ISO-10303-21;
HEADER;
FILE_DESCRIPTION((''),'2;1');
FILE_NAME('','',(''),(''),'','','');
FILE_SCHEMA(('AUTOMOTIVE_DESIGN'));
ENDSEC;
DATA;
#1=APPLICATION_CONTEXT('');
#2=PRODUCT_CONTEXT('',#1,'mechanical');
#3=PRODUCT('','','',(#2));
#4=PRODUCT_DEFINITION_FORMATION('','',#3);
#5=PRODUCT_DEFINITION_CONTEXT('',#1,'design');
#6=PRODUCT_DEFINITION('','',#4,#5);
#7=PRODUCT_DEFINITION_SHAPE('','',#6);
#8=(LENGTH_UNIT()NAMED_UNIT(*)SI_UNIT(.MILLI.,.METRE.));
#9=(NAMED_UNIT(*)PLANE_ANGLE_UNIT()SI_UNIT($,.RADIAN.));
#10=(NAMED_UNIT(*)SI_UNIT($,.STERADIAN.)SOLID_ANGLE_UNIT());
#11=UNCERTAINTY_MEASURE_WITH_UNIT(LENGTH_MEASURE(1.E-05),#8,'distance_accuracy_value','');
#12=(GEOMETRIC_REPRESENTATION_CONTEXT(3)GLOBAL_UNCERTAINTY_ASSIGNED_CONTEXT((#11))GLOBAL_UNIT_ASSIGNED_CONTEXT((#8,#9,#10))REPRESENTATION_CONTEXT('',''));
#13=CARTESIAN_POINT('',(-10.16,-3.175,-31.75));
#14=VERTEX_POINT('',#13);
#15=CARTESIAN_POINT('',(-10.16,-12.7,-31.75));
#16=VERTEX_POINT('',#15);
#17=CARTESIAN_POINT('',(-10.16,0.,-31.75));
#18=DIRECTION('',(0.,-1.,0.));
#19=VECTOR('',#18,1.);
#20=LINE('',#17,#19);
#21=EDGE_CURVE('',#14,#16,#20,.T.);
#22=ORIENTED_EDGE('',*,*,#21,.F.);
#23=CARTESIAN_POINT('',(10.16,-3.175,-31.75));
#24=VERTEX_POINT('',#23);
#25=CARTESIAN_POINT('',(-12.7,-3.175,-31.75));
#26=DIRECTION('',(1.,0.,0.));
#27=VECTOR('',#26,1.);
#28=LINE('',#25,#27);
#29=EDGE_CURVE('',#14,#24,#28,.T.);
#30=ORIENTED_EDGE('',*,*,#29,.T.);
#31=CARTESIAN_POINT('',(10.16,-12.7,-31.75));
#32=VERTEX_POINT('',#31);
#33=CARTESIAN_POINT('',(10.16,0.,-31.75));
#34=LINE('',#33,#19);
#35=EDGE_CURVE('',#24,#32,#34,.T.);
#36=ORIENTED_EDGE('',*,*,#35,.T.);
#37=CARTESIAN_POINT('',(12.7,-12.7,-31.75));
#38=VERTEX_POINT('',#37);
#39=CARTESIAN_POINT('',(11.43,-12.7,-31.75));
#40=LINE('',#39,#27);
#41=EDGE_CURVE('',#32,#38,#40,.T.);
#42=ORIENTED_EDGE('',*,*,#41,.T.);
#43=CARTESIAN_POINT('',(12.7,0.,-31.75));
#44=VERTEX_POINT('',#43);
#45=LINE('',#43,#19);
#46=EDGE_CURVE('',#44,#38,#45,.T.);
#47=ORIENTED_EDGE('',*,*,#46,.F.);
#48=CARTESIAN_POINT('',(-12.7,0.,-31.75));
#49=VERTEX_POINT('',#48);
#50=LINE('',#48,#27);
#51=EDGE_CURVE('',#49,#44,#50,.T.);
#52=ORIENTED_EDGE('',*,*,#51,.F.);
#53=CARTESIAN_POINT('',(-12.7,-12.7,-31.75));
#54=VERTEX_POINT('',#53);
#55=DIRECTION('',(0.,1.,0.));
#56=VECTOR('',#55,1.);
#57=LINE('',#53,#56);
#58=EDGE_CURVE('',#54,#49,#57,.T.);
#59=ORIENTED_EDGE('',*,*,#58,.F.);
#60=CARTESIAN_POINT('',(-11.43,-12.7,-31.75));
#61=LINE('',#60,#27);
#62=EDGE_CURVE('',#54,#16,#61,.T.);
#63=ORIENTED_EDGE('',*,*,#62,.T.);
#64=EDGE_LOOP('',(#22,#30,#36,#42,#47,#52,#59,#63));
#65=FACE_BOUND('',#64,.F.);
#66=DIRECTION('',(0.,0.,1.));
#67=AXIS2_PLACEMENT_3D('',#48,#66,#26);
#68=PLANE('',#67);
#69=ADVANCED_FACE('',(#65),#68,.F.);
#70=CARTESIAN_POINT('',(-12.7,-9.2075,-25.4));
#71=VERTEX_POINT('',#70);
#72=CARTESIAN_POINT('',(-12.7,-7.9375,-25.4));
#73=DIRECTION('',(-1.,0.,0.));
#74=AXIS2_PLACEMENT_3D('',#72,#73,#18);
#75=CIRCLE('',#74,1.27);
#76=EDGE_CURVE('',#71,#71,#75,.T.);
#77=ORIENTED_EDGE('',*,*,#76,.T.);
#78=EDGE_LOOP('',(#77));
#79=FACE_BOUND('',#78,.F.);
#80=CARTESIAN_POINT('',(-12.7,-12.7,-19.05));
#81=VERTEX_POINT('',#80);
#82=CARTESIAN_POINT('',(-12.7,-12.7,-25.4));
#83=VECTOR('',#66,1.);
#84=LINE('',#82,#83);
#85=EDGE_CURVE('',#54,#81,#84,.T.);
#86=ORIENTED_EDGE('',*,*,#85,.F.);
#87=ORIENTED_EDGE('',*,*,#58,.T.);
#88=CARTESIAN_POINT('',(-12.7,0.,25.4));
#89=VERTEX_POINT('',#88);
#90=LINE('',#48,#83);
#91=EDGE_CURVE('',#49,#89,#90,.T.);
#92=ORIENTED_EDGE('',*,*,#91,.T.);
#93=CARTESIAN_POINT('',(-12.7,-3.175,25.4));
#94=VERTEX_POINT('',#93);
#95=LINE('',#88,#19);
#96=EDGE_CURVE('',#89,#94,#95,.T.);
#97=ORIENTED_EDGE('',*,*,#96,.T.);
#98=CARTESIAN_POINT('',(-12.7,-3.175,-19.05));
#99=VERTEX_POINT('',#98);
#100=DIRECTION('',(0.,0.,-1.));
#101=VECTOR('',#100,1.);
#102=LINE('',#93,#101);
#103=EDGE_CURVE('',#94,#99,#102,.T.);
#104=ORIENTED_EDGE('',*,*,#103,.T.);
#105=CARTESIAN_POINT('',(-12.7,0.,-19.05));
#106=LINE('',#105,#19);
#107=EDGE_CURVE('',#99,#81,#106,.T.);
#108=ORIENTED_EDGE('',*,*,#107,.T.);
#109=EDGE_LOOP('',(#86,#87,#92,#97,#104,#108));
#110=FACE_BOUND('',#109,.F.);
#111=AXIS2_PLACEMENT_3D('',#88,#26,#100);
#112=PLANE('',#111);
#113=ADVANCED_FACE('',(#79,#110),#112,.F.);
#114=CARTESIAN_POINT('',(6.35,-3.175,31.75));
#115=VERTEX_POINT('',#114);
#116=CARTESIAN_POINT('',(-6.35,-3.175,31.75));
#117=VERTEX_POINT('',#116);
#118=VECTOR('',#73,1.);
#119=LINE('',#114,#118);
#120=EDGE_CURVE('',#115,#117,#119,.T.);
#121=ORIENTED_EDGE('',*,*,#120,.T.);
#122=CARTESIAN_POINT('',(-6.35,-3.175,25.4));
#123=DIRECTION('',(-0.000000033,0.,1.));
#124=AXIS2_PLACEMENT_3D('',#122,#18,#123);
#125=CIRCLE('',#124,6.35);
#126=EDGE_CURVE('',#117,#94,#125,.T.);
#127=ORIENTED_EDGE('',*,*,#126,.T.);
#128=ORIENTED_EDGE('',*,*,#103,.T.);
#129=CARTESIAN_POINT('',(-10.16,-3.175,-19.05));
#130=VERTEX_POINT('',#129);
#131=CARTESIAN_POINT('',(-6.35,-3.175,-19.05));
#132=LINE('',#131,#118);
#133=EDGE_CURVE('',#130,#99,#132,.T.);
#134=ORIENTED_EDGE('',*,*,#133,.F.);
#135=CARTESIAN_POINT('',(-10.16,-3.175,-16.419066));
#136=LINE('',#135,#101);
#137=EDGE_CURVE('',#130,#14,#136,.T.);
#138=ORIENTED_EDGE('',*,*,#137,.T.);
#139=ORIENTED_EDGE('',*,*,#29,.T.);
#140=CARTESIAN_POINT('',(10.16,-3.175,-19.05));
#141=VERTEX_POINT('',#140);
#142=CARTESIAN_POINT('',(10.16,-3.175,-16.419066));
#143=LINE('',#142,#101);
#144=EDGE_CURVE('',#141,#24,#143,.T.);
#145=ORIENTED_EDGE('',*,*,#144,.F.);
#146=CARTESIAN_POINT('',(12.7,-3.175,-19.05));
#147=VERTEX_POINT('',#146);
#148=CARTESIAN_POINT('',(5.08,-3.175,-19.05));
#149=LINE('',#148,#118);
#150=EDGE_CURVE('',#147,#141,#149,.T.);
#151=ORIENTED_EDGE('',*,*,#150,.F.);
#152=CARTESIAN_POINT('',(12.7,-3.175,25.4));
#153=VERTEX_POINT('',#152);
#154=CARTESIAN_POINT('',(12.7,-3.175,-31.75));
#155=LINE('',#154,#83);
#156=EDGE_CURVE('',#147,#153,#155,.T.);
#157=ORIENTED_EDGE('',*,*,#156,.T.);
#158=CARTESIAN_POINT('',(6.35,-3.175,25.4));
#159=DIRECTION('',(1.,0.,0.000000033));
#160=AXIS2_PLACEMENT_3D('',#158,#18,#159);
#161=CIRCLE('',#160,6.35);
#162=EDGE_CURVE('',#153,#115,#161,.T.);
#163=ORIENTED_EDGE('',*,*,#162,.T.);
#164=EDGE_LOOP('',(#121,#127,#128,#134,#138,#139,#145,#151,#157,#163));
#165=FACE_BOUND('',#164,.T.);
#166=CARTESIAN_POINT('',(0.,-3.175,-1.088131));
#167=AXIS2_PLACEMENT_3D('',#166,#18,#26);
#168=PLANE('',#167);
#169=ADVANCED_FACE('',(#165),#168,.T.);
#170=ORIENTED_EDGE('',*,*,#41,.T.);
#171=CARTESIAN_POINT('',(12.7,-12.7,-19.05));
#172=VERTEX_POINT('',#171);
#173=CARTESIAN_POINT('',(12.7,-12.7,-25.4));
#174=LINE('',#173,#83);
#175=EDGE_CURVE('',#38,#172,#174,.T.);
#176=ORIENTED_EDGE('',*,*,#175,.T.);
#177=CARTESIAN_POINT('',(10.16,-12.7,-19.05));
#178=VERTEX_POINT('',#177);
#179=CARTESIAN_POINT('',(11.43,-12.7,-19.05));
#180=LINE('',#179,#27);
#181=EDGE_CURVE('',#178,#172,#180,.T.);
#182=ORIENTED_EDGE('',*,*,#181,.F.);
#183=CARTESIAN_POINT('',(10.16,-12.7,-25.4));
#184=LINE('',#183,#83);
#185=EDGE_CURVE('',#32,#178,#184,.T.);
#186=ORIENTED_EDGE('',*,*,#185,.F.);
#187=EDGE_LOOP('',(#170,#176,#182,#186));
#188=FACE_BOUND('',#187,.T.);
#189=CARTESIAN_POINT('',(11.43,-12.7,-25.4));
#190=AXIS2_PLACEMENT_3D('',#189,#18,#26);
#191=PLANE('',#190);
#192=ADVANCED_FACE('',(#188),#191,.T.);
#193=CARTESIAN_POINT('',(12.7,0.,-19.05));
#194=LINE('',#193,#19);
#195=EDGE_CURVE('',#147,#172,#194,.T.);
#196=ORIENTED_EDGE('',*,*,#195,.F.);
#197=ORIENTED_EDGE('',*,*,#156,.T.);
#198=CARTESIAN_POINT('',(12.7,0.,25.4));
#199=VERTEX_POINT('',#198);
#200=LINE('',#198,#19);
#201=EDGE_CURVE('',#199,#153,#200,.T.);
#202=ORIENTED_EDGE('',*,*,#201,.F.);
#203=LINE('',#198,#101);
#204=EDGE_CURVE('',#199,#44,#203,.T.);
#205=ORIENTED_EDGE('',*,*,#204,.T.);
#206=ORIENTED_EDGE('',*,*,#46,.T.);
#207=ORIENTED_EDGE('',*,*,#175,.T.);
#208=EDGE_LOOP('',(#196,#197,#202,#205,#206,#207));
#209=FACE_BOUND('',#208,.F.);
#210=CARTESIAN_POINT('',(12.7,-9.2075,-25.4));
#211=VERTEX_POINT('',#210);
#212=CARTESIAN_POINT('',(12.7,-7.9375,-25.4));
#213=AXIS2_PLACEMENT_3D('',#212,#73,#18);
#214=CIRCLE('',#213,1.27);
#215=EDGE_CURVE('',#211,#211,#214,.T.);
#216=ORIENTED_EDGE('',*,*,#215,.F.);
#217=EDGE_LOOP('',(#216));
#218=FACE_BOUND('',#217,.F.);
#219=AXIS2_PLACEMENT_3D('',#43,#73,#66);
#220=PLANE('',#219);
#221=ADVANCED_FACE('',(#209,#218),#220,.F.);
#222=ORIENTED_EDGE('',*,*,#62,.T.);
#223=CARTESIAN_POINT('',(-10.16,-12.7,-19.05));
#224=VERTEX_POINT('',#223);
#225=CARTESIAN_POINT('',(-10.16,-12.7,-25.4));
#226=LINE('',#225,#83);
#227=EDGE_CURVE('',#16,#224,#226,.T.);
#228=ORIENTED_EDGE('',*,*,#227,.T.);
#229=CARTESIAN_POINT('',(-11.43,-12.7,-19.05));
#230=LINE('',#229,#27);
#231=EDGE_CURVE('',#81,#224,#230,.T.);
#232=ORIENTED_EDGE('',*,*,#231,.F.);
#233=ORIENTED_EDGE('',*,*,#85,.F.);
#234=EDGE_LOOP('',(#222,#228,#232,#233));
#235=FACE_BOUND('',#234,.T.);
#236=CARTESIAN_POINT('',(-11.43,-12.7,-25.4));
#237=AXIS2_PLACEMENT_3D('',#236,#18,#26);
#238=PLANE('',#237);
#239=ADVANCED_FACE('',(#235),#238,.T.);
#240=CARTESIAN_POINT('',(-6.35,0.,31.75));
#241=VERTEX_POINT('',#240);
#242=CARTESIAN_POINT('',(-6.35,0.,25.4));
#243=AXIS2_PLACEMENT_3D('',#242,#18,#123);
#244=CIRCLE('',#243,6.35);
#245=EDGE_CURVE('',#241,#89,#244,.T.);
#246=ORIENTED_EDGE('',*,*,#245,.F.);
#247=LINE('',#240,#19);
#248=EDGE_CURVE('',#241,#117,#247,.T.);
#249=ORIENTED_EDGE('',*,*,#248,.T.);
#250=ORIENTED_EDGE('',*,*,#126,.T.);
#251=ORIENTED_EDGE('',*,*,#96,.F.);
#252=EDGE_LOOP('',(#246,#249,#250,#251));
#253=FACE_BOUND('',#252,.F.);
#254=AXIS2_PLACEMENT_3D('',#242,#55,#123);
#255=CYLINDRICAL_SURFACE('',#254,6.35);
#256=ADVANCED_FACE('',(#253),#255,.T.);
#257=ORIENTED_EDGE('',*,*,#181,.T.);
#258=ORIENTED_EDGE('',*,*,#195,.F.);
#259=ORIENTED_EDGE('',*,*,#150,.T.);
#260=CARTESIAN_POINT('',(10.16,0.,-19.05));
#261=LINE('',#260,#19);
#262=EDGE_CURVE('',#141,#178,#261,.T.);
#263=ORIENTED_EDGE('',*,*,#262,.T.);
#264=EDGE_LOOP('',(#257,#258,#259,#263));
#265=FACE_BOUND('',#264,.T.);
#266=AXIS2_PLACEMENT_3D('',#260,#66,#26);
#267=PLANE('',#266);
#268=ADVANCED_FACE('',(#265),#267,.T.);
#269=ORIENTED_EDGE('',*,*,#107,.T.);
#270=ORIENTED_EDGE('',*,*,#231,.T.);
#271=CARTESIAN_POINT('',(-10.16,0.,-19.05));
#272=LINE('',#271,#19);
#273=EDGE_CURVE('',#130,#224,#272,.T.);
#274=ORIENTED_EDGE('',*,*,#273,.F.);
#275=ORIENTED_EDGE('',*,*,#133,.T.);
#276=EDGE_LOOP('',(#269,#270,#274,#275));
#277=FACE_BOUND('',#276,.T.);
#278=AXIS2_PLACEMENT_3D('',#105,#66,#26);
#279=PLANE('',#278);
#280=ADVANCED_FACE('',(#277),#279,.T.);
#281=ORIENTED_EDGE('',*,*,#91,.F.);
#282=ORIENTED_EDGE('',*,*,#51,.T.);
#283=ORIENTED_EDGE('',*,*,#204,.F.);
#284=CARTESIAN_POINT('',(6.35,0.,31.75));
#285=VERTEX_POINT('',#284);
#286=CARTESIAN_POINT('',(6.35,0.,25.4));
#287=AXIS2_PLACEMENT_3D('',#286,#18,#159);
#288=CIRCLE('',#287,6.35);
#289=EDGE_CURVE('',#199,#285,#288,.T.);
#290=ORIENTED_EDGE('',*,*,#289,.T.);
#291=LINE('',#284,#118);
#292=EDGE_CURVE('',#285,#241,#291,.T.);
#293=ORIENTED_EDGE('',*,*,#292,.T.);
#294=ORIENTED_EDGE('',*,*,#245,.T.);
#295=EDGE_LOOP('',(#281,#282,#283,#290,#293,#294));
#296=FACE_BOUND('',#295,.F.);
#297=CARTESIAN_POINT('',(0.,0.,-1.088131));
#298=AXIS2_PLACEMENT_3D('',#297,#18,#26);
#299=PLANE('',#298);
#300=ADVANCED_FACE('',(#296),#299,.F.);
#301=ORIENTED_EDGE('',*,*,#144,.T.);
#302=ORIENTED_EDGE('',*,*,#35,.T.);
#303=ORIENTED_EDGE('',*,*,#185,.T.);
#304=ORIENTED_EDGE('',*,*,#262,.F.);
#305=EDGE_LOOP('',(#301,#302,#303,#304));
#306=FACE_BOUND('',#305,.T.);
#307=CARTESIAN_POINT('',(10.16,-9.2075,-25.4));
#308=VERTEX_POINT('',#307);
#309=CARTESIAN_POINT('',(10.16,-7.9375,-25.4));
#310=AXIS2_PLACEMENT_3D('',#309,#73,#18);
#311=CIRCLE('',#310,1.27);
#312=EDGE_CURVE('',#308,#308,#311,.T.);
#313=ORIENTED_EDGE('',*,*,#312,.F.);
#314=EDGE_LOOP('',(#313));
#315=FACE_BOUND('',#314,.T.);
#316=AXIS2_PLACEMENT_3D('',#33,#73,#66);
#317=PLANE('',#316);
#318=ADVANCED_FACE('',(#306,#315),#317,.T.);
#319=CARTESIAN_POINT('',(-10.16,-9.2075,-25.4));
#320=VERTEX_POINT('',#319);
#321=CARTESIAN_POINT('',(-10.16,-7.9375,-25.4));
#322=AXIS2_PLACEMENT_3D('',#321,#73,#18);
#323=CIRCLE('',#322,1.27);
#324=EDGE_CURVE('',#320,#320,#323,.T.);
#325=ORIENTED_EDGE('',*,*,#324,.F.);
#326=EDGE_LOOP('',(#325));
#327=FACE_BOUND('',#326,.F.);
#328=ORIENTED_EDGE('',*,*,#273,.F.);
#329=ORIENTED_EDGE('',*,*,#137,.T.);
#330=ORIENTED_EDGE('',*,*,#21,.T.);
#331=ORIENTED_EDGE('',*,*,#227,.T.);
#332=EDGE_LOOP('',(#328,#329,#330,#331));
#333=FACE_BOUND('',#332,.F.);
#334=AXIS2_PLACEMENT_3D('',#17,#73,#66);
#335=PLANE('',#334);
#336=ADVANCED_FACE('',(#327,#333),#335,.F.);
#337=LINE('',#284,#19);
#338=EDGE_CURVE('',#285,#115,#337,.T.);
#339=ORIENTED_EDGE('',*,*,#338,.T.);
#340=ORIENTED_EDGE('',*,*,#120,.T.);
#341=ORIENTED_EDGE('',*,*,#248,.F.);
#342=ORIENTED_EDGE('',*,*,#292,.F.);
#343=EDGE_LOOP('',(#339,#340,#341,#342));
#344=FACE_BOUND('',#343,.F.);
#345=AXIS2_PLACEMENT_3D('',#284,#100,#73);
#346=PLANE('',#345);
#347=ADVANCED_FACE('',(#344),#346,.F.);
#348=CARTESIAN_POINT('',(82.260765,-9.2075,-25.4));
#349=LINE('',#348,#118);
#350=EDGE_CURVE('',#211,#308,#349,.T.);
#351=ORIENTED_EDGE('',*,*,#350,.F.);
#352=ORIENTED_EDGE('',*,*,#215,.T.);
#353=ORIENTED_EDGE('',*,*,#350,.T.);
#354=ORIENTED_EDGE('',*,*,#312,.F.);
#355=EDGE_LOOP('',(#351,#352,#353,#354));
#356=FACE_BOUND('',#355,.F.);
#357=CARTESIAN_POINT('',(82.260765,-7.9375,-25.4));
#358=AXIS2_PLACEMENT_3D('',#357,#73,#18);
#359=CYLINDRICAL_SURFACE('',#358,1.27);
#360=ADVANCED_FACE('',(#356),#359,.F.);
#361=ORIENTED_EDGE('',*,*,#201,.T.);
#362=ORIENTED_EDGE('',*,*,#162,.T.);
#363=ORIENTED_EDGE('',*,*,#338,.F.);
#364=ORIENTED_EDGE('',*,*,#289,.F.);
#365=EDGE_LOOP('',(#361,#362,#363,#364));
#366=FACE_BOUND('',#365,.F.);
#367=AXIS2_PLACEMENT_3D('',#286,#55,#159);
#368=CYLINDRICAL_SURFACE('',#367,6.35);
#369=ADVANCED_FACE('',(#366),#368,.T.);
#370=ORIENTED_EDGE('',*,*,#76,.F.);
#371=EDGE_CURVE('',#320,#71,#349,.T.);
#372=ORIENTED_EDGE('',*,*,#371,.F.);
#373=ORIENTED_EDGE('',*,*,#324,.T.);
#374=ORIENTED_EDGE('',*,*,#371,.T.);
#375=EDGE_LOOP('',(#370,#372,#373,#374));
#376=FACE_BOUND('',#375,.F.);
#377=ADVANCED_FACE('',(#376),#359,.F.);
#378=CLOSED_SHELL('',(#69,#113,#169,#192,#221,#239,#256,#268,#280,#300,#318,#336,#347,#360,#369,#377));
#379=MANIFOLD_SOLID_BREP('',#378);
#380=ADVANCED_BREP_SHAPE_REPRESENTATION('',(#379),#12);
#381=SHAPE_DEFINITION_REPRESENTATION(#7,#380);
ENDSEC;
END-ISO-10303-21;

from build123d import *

# Parameters (mm, degrees)
F1_DEPTH = 3.175
F2_W     = 2.54
F2_H     = 12.7
F3_DEPTH = 12.7
F5_D     = 2.54


with BuildPart() as f1:
    # F0 (on Front) → F1 (new body)
    with BuildSketch(Plane.XZ):
        with BuildLine():
            Line((-12.7, -31.75), (12.7, -31.75))
            Line((12.7, -31.75), (12.7, 25.4))
            ThreePointArc((12.7, 25.4), (10.840128, 29.890128), (6.35, 31.75))
            Line((6.35, 31.75), (-6.35, 31.75))
            ThreePointArc((-6.35, 31.75), (-10.840128, 29.890128), (-12.7, 25.4))
            Line((-12.7, 25.4), (-12.7, -31.75))
        make_face()
    extrude(amount=F1_DEPTH)

    # F2 (on Front) → F3 (join)
    with BuildSketch(Plane.XZ):
        with Locations((11.43, -25.4)):
            Rectangle(F2_W, F2_H)
        with Locations((-11.43, -25.4)):
            Rectangle(F2_W, F2_H)
    extrude(amount=F3_DEPTH)

    # F5 (through all)
    with Locations(Plane.YZ.offset(12.7)):
        with Locations((-7.9375, -25.4)):
            Hole(F5_D / 2)


solid = f1.part
